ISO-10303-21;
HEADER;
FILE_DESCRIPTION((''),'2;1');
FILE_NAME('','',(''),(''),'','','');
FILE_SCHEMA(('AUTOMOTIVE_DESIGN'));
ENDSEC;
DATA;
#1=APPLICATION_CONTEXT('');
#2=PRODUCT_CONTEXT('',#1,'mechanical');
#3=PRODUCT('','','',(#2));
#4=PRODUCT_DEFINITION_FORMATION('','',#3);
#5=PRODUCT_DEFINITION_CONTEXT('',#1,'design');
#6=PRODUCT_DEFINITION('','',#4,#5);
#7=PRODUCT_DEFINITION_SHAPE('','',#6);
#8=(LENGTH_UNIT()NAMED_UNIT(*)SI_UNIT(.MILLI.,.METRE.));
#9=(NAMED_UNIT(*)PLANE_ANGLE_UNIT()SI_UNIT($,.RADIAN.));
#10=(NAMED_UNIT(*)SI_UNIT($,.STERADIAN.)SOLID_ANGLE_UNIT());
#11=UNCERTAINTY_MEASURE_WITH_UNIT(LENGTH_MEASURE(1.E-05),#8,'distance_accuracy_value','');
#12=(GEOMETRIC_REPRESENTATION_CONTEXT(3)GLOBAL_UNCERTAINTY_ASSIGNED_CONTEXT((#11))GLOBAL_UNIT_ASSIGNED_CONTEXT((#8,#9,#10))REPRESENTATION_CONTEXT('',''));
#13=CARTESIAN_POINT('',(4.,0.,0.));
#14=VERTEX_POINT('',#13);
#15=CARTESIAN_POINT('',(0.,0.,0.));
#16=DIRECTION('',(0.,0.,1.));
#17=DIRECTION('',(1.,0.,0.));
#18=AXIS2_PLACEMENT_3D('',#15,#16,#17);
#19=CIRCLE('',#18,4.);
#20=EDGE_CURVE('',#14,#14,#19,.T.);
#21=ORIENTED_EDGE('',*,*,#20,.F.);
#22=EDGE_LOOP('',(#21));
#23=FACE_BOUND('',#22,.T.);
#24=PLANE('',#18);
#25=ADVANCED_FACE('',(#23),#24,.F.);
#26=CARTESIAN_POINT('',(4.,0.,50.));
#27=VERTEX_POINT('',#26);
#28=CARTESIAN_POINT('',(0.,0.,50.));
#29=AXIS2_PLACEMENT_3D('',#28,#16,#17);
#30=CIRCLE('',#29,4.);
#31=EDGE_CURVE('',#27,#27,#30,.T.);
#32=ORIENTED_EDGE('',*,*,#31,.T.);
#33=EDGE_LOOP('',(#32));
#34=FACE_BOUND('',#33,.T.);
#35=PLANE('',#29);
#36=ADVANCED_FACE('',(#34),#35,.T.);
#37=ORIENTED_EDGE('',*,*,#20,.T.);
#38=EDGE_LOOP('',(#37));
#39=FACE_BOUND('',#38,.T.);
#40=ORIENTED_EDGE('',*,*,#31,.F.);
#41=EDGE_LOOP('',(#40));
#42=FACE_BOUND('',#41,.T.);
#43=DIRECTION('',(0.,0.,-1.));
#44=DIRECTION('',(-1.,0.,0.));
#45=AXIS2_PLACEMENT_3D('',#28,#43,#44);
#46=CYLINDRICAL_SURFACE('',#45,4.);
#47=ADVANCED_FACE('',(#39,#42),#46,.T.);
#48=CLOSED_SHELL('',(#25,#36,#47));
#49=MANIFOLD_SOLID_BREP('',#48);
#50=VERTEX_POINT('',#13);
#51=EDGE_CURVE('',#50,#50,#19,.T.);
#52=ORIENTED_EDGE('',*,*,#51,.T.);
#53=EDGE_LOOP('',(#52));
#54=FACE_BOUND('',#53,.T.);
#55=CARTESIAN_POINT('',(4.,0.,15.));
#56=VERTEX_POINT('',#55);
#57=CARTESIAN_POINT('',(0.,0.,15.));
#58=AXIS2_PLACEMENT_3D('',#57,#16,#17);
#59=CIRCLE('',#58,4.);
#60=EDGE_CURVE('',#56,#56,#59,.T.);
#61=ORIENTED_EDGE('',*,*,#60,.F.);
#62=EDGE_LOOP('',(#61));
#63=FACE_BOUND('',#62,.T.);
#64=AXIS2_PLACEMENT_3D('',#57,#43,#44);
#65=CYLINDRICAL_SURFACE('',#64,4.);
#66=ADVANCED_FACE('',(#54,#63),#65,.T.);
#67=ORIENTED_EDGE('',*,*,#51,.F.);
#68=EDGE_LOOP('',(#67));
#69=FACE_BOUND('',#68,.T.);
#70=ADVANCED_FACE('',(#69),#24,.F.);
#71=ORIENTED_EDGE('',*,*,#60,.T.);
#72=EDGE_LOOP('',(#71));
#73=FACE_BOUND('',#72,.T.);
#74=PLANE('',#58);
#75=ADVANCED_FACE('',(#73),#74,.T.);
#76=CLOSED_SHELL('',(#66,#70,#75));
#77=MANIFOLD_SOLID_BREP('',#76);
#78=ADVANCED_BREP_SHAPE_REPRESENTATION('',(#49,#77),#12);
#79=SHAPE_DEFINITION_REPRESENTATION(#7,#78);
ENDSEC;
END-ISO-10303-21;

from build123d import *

# Parameters (mm, degrees)
SKETCH_1_R      = 4
EXTRUDE_1_DEPTH = 15
SKETCH_2_R      = 4
EXTRUDE_2_DEPTH = 50
SKETCH_4_R      = 4
EXTRUDE_3_DEPTH = 20


with BuildPart() as part:
    # 草图1 → 凸台-拉伸1 (new body)
    with BuildSketch(Plane.XY):
        Circle(SKETCH_1_R)
    extrude(amount=EXTRUDE_1_DEPTH)


with BuildPart() as body_2:
    # 草图2 → 凸台-拉伸2 (new body)
    with BuildSketch(Plane.XY):
        Circle(SKETCH_2_R)
    extrude(amount=EXTRUDE_2_DEPTH)

    # 草图4 → 凸台-拉伸3 (add)
    with BuildSketch(Plane.XY):
        Circle(SKETCH_4_R)
    extrude(amount=EXTRUDE_3_DEPTH)


solid = Compound([part.part, body_2.part])
